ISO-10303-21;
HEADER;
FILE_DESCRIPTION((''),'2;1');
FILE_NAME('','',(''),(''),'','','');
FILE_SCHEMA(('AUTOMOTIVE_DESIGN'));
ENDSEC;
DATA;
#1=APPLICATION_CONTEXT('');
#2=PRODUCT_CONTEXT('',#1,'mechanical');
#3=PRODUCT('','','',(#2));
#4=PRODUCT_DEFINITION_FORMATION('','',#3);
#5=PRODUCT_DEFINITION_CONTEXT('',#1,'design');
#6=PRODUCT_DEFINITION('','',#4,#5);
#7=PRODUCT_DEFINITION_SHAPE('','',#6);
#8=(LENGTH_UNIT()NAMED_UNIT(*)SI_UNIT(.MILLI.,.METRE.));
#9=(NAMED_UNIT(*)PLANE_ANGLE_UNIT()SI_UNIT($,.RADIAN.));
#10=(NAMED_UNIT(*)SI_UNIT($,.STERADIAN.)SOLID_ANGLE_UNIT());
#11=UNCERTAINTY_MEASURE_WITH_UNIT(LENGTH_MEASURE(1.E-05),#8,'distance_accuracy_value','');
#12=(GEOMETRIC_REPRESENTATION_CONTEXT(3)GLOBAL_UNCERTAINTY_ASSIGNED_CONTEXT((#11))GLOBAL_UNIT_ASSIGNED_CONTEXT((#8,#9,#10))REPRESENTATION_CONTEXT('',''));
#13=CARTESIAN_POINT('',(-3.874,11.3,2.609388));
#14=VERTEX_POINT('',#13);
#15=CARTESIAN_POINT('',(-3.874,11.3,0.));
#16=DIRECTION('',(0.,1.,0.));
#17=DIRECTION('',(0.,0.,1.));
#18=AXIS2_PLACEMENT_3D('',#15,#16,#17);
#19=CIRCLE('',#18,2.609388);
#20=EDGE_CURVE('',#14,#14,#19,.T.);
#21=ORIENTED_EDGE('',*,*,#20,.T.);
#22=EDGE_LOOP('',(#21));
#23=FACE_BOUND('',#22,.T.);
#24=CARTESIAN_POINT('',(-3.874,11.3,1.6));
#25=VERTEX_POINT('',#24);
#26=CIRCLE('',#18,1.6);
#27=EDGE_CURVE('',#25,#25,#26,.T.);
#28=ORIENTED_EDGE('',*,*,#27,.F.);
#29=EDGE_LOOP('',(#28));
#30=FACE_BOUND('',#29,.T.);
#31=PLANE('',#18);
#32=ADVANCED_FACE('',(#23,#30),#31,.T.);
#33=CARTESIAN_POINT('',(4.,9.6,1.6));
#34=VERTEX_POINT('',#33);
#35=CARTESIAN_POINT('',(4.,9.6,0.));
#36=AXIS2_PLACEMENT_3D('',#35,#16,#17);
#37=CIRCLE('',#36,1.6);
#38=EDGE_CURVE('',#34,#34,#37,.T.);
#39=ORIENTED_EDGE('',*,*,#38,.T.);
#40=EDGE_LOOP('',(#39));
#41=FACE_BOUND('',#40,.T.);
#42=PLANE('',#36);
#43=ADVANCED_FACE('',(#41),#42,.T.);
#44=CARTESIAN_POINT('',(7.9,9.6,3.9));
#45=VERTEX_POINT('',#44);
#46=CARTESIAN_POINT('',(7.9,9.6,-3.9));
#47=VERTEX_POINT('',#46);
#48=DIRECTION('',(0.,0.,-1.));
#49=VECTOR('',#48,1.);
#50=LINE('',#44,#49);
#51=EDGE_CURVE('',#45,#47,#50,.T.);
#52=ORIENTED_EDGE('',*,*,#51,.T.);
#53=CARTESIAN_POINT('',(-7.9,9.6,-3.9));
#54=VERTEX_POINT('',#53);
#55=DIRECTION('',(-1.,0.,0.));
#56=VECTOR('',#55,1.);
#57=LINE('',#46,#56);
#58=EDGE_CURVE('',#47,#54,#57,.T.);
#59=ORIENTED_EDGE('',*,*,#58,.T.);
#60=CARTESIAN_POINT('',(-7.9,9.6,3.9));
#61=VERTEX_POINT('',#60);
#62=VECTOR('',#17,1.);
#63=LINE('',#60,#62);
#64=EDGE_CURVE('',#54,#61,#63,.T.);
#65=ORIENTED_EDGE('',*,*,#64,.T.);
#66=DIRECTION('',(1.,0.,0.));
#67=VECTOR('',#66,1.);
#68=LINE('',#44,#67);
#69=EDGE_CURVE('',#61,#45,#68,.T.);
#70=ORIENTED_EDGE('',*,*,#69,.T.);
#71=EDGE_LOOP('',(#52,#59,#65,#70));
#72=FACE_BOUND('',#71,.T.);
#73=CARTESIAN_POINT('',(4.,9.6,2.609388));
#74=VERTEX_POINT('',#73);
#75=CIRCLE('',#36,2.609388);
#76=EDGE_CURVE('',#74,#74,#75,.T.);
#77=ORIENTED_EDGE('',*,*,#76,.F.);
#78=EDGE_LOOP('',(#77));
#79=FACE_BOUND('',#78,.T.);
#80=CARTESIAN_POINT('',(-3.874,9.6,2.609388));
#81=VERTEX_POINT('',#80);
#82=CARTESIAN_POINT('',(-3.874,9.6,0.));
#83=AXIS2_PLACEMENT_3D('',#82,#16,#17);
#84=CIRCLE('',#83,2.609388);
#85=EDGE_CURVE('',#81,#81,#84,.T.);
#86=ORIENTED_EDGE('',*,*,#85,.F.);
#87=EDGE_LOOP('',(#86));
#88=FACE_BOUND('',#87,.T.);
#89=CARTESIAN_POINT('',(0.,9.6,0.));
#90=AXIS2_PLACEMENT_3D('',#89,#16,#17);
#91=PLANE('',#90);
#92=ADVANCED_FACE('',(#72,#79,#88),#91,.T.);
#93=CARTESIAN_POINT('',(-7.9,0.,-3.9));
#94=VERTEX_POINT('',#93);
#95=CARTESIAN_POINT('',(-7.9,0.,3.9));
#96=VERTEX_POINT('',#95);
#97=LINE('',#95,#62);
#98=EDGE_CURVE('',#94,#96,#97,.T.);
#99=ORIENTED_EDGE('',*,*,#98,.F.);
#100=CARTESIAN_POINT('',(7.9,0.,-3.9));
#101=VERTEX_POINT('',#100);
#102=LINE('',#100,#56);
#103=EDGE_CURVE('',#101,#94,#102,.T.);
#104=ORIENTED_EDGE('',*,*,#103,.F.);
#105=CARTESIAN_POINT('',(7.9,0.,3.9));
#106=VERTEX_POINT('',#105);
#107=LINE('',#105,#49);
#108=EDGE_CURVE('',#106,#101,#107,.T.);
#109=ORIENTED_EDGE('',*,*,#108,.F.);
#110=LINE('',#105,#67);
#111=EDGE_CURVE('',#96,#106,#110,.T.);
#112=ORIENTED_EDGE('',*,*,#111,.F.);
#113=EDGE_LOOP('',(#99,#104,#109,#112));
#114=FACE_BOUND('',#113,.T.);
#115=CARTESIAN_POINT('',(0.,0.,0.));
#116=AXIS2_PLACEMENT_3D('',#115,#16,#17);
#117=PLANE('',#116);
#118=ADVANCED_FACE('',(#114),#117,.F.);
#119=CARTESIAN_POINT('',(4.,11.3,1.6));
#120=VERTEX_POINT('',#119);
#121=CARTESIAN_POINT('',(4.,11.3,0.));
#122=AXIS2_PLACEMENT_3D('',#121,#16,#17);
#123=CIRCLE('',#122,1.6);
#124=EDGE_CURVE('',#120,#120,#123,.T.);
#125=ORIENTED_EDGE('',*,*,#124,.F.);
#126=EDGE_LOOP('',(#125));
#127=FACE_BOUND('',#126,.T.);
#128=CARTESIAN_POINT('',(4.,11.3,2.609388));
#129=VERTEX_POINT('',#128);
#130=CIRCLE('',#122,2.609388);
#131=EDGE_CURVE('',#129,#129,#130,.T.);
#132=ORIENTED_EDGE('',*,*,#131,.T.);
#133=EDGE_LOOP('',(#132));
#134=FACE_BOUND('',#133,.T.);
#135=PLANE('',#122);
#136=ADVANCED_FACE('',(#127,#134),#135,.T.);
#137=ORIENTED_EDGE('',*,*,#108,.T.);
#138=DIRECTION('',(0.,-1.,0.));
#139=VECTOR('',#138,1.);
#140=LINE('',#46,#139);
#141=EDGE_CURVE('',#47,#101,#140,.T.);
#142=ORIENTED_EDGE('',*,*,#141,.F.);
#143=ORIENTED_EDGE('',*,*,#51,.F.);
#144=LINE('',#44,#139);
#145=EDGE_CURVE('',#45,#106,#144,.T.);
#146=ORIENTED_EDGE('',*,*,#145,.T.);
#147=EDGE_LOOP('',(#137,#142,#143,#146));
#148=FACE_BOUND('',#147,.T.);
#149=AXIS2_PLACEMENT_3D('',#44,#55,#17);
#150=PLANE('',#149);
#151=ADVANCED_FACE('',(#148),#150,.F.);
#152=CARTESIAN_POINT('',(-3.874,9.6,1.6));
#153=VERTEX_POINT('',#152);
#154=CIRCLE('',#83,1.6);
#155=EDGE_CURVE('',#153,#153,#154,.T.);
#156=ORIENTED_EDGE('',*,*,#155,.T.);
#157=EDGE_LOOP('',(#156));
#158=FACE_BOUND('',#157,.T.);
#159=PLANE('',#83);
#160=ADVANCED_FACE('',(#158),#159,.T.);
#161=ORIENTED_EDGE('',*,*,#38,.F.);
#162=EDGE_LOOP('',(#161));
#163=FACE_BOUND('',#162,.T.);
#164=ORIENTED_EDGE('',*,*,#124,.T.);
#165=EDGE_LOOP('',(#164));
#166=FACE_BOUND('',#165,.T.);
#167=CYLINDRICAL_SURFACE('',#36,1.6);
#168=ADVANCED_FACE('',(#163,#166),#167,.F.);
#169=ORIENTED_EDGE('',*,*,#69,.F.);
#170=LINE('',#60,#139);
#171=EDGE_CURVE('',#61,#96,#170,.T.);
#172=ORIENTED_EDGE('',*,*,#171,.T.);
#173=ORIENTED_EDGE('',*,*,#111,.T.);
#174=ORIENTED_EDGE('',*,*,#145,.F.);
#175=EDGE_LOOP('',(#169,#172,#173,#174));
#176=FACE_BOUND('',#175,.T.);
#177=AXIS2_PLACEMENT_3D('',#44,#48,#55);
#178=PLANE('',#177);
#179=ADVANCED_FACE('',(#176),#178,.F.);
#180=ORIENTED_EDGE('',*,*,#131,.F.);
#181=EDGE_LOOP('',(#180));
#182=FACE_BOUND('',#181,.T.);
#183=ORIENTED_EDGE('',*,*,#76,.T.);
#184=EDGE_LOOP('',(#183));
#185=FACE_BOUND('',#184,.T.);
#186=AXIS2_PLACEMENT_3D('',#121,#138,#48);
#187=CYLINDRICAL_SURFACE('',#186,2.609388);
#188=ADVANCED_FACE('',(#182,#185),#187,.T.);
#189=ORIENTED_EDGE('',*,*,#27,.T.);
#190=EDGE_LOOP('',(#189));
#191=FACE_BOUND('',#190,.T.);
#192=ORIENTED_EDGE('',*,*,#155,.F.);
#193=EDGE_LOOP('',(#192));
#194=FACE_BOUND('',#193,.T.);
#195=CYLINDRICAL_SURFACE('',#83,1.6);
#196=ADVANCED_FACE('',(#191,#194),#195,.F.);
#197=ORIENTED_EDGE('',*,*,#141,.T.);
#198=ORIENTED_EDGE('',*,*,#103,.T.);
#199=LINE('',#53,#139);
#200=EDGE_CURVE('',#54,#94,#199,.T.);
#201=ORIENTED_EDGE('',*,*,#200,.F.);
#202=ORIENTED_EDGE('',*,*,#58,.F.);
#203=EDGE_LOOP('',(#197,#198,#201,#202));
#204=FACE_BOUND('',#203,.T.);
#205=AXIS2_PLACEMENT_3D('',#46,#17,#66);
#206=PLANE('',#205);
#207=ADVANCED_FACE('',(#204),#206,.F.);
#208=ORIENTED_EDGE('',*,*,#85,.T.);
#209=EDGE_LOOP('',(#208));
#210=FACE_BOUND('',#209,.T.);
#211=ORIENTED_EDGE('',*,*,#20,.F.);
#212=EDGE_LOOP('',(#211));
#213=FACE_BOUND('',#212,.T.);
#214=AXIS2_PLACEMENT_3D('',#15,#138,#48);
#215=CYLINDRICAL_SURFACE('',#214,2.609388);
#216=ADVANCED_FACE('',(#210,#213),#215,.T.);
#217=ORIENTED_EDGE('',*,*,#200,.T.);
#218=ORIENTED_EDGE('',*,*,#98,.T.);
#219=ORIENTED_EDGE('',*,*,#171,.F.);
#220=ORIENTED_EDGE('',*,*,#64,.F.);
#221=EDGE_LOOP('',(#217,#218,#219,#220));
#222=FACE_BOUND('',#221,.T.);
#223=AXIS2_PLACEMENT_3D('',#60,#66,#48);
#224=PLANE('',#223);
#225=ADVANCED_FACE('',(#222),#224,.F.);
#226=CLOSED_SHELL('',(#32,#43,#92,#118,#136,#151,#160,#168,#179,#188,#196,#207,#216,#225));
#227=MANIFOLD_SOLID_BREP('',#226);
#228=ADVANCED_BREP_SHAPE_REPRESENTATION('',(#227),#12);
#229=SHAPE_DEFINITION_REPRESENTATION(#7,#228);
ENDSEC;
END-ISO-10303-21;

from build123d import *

# Parameters (mm, degrees)
SKETCH_2_W          = 15.8
SKETCH_2_H          = 7.8
EXTRUDE_1_DEPTH     = 9.6
SKETCH_3_R          = 2.609387956
EXTRUDE_2_DEPTH     = 1.7
SKETCH_4_R          = 1.6
CUT_EXTRUDE_1_DEPTH = 1.7
SKETCH_5_R          = 1.6
CUT_EXTRUDE_2_DEPTH = 1.7


with BuildPart() as part:
    # Эскиз2 → Бобышка-Вытянуть1 (new body)
    with BuildSketch(Plane(origin=(0, 0, 0), x_dir=(1, 0, 0), z_dir=(0, 1, 0))):
        Rectangle(SKETCH_2_W, SKETCH_2_H)
    extrude(amount=EXTRUDE_1_DEPTH)

    # Эскиз3 → Бобышка-Вытянуть2 (add)
    with BuildSketch(Plane(origin=(0, 9.6, 0), x_dir=(1, 0, 0), z_dir=(0, 1, 0))):
        with Locations(Location((4, 0, 0), (0, 0, 270))):
            Circle(SKETCH_3_R)
        with Locations(Location((-3.874, 0, 0), (0, 0, 270))):
            Circle(SKETCH_3_R)
    extrude(amount=EXTRUDE_2_DEPTH)

    # Эскиз4 → Вырез-Вытянуть1 (cut)
    with BuildSketch(Plane(origin=(0, 11.3, 0), x_dir=(1, 0, 0), z_dir=(0, 1, 0))):
        with Locations(Location((-3.874, 0, 0), (0, 0, 270))):
            Circle(SKETCH_4_R)
    extrude(amount=-CUT_EXTRUDE_1_DEPTH, mode=Mode.SUBTRACT)

    # Эскиз5 → Вырез-Вытянуть2 (cut)
    with BuildSketch(Plane(origin=(0, 11.3, 0), x_dir=(1, 0, 0), z_dir=(0, 1, 0))):
        with Locations(Location((4, 0, 0), (0, 0, 270))):
            Circle(SKETCH_5_R)
    extrude(amount=-CUT_EXTRUDE_2_DEPTH, mode=Mode.SUBTRACT)


solid = part.part
